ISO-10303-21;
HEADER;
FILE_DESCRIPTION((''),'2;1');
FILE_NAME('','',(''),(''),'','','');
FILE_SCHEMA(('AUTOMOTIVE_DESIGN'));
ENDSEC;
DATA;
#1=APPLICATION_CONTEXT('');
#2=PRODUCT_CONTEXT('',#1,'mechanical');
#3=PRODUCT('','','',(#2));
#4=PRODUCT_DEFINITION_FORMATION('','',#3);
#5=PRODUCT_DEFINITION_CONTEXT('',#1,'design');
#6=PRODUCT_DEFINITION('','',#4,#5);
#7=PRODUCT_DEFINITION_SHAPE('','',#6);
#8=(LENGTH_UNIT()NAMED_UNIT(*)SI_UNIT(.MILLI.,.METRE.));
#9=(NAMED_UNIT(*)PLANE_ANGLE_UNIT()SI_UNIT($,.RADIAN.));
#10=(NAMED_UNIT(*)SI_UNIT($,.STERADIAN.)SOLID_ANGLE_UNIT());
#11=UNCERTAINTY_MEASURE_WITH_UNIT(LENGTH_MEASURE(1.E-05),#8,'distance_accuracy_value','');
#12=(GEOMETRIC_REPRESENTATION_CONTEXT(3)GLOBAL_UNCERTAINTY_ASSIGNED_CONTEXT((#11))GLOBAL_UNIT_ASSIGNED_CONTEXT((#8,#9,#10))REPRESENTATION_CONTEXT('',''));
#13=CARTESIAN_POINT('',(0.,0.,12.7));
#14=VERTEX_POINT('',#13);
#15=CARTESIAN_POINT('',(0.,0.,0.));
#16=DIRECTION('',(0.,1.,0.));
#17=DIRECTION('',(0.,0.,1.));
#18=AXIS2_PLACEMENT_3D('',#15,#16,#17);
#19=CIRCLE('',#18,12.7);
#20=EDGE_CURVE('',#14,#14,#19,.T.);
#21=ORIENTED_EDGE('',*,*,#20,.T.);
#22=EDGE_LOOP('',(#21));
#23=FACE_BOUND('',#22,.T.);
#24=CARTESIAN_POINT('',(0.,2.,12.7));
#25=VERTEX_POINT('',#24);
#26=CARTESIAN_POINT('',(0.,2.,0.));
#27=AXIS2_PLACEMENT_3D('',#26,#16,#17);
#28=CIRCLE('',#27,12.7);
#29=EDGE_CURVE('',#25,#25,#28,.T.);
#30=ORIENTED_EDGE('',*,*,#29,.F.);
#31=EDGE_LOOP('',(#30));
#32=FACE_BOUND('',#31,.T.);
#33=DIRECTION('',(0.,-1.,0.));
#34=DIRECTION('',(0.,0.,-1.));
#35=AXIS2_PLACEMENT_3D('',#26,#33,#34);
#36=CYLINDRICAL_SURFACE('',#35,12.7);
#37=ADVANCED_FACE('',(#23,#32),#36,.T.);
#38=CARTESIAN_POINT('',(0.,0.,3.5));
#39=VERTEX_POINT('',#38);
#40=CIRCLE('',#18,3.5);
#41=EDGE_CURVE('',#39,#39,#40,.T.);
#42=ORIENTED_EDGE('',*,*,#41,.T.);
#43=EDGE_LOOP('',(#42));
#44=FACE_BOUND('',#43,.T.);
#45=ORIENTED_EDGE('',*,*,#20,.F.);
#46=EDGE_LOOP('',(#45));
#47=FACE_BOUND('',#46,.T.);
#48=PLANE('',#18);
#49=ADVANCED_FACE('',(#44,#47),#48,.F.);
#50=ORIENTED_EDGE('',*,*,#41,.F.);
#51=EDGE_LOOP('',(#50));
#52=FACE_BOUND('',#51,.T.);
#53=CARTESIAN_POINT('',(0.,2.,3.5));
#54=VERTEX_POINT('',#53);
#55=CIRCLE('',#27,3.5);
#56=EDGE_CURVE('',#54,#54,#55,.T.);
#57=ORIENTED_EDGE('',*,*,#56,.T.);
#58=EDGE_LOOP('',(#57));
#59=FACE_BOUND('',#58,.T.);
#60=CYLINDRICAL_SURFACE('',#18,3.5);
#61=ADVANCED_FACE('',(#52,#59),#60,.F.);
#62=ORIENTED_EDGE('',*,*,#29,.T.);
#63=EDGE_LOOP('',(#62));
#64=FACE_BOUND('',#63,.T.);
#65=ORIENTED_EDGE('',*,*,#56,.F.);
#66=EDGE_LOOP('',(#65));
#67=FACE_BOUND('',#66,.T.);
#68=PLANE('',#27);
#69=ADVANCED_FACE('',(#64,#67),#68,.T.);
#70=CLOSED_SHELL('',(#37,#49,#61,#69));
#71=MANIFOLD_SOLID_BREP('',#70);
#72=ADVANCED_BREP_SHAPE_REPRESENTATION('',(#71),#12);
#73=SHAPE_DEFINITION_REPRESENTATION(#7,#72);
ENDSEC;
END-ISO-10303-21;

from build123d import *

# Parameters (mm, degrees)
SKETCH1_R           = 12.7
BOSS_EXTRUDE1_DEPTH = 2
SKETCH2_R           = 3.5
CUT_EXTRUDE1_DEPTH  = 2


with BuildPart() as part:
    # Sketch1 → Boss-Extrude1 (new body)
    with BuildSketch(Plane(origin=(0, 0, 0), x_dir=(1, 0, 0), z_dir=(0, 1, 0))):
        with Locations(Location((0, 0, 0), (0, 0, 270))):
            Circle(SKETCH1_R)
    extrude(amount=BOSS_EXTRUDE1_DEPTH)

    # Sketch2 → Cut-Extrude1 (cut)
    with BuildSketch(Plane(origin=(0, 2, 0), x_dir=(1, 0, 0), z_dir=(0, 1, 0))):
        with Locations(Location((0, 0, 0), (0, 0, 270))):
            Circle(SKETCH2_R)
    extrude(amount=-CUT_EXTRUDE1_DEPTH, mode=Mode.SUBTRACT)


solid = part.part
